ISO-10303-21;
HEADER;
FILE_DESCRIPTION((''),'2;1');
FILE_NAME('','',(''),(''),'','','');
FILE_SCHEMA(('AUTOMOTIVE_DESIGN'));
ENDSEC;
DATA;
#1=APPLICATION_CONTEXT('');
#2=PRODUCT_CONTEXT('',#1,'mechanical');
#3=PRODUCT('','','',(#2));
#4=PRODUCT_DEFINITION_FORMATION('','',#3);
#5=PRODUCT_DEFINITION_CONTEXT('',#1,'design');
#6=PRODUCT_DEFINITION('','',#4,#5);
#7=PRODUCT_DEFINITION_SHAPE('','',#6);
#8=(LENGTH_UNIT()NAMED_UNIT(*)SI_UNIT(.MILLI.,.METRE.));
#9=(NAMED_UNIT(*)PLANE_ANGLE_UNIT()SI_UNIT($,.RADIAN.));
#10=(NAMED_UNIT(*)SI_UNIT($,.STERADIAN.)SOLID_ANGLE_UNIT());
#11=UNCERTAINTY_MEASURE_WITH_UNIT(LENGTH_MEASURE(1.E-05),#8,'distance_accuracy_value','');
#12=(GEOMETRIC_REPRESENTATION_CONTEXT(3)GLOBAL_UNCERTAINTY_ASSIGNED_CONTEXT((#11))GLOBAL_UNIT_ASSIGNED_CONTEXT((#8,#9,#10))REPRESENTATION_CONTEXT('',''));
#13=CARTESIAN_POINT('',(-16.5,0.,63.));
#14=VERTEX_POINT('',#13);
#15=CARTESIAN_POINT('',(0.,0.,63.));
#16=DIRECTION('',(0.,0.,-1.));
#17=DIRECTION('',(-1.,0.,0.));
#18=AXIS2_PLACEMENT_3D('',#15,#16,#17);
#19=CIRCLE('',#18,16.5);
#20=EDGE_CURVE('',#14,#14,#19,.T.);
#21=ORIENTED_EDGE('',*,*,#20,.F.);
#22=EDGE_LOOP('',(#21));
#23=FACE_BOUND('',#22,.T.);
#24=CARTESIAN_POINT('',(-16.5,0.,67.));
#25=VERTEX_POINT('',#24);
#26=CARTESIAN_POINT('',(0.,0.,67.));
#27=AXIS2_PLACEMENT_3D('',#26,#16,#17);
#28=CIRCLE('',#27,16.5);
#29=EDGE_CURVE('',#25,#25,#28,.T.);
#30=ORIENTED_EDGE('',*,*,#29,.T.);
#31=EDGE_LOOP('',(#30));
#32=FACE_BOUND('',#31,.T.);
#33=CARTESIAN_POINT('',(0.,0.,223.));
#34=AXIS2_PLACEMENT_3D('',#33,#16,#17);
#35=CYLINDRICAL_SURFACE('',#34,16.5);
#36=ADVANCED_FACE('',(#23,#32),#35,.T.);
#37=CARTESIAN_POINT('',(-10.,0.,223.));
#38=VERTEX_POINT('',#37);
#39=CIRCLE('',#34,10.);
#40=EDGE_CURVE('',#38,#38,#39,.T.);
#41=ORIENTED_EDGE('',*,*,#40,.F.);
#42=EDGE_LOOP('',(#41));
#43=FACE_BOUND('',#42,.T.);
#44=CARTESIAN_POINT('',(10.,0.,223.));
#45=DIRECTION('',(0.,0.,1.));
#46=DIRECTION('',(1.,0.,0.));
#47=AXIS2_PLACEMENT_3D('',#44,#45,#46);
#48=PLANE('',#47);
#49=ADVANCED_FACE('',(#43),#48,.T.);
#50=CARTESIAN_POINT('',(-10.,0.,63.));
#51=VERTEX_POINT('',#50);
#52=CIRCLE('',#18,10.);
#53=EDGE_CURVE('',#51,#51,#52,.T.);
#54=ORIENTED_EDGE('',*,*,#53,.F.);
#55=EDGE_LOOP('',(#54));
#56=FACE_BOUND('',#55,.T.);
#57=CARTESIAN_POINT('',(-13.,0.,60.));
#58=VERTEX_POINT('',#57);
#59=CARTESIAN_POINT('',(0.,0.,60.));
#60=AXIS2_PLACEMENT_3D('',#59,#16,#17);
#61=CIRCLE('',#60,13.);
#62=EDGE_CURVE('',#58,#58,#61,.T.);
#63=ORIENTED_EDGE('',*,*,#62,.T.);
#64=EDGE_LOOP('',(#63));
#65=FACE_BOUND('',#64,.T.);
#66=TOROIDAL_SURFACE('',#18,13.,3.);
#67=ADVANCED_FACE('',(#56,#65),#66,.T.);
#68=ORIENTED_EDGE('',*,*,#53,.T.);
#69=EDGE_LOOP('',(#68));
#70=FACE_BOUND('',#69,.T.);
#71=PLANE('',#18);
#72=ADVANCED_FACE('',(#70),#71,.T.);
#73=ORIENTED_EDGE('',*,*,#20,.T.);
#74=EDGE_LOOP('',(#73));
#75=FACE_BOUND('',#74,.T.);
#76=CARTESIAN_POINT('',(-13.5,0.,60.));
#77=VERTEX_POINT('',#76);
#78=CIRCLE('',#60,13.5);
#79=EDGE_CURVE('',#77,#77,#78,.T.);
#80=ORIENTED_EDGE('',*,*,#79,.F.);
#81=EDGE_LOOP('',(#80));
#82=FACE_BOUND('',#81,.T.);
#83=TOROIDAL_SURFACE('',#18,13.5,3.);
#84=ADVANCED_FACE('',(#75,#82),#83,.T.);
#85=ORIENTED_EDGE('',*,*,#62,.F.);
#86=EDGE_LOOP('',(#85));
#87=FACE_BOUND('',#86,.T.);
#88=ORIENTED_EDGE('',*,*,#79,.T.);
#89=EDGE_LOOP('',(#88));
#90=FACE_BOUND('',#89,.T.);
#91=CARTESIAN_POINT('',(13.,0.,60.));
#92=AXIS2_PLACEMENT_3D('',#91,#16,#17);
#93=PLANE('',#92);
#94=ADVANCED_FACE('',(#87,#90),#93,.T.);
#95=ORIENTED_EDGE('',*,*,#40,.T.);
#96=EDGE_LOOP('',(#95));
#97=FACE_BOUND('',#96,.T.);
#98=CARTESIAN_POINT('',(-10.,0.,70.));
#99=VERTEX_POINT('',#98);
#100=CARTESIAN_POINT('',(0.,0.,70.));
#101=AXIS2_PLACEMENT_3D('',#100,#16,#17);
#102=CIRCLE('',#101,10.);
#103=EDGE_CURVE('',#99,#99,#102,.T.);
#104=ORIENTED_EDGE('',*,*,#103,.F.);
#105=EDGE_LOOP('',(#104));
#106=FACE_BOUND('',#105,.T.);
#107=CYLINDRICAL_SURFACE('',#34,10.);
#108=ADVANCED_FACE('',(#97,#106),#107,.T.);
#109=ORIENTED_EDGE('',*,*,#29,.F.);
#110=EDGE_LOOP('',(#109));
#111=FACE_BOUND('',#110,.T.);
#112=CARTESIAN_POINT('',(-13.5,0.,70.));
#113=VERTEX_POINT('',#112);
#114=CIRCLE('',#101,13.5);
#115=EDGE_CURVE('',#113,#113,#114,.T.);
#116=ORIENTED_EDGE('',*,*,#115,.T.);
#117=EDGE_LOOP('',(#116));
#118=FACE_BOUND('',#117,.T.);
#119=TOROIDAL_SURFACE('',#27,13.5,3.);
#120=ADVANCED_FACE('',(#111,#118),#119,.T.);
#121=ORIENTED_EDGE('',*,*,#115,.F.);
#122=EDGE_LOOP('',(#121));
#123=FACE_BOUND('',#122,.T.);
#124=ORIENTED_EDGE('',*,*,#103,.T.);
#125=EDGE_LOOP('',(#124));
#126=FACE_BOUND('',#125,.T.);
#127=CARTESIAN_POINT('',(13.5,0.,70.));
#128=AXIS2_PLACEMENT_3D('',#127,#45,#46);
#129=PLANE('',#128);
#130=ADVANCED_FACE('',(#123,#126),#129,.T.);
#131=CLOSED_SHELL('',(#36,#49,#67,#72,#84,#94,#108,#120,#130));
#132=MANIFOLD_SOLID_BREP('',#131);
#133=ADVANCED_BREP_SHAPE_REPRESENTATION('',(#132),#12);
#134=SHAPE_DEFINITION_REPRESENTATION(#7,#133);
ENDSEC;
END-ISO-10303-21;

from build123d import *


with BuildPart() as part:
    # Sketch1 → Revolve1 (revolve)
    with BuildSketch(Plane.XZ):
        with BuildLine():
            Line((10, 223), (0, 223))
            Line((0, 223), (0, 63))
            Line((0, 63), (10, 63))
            ThreePointArc((10, 63), (10.878679656, 60.878679656), (13, 60))
            Line((13, 60), (13.5, 60))
            ThreePointArc((13.5, 60), (15.621320344, 60.878679656), (16.5, 63))
            Line((16.5, 63), (16.5, 67))
            ThreePointArc((16.5, 67), (15.621320344, 69.121320344), (13.5, 70))
            Line((13.5, 70), (10, 70))
            Line((10, 70), (10, 223))
        make_face()
    revolve(axis=Axis((0, 0, 223), (0, 0, -1)))


solid = part.part
